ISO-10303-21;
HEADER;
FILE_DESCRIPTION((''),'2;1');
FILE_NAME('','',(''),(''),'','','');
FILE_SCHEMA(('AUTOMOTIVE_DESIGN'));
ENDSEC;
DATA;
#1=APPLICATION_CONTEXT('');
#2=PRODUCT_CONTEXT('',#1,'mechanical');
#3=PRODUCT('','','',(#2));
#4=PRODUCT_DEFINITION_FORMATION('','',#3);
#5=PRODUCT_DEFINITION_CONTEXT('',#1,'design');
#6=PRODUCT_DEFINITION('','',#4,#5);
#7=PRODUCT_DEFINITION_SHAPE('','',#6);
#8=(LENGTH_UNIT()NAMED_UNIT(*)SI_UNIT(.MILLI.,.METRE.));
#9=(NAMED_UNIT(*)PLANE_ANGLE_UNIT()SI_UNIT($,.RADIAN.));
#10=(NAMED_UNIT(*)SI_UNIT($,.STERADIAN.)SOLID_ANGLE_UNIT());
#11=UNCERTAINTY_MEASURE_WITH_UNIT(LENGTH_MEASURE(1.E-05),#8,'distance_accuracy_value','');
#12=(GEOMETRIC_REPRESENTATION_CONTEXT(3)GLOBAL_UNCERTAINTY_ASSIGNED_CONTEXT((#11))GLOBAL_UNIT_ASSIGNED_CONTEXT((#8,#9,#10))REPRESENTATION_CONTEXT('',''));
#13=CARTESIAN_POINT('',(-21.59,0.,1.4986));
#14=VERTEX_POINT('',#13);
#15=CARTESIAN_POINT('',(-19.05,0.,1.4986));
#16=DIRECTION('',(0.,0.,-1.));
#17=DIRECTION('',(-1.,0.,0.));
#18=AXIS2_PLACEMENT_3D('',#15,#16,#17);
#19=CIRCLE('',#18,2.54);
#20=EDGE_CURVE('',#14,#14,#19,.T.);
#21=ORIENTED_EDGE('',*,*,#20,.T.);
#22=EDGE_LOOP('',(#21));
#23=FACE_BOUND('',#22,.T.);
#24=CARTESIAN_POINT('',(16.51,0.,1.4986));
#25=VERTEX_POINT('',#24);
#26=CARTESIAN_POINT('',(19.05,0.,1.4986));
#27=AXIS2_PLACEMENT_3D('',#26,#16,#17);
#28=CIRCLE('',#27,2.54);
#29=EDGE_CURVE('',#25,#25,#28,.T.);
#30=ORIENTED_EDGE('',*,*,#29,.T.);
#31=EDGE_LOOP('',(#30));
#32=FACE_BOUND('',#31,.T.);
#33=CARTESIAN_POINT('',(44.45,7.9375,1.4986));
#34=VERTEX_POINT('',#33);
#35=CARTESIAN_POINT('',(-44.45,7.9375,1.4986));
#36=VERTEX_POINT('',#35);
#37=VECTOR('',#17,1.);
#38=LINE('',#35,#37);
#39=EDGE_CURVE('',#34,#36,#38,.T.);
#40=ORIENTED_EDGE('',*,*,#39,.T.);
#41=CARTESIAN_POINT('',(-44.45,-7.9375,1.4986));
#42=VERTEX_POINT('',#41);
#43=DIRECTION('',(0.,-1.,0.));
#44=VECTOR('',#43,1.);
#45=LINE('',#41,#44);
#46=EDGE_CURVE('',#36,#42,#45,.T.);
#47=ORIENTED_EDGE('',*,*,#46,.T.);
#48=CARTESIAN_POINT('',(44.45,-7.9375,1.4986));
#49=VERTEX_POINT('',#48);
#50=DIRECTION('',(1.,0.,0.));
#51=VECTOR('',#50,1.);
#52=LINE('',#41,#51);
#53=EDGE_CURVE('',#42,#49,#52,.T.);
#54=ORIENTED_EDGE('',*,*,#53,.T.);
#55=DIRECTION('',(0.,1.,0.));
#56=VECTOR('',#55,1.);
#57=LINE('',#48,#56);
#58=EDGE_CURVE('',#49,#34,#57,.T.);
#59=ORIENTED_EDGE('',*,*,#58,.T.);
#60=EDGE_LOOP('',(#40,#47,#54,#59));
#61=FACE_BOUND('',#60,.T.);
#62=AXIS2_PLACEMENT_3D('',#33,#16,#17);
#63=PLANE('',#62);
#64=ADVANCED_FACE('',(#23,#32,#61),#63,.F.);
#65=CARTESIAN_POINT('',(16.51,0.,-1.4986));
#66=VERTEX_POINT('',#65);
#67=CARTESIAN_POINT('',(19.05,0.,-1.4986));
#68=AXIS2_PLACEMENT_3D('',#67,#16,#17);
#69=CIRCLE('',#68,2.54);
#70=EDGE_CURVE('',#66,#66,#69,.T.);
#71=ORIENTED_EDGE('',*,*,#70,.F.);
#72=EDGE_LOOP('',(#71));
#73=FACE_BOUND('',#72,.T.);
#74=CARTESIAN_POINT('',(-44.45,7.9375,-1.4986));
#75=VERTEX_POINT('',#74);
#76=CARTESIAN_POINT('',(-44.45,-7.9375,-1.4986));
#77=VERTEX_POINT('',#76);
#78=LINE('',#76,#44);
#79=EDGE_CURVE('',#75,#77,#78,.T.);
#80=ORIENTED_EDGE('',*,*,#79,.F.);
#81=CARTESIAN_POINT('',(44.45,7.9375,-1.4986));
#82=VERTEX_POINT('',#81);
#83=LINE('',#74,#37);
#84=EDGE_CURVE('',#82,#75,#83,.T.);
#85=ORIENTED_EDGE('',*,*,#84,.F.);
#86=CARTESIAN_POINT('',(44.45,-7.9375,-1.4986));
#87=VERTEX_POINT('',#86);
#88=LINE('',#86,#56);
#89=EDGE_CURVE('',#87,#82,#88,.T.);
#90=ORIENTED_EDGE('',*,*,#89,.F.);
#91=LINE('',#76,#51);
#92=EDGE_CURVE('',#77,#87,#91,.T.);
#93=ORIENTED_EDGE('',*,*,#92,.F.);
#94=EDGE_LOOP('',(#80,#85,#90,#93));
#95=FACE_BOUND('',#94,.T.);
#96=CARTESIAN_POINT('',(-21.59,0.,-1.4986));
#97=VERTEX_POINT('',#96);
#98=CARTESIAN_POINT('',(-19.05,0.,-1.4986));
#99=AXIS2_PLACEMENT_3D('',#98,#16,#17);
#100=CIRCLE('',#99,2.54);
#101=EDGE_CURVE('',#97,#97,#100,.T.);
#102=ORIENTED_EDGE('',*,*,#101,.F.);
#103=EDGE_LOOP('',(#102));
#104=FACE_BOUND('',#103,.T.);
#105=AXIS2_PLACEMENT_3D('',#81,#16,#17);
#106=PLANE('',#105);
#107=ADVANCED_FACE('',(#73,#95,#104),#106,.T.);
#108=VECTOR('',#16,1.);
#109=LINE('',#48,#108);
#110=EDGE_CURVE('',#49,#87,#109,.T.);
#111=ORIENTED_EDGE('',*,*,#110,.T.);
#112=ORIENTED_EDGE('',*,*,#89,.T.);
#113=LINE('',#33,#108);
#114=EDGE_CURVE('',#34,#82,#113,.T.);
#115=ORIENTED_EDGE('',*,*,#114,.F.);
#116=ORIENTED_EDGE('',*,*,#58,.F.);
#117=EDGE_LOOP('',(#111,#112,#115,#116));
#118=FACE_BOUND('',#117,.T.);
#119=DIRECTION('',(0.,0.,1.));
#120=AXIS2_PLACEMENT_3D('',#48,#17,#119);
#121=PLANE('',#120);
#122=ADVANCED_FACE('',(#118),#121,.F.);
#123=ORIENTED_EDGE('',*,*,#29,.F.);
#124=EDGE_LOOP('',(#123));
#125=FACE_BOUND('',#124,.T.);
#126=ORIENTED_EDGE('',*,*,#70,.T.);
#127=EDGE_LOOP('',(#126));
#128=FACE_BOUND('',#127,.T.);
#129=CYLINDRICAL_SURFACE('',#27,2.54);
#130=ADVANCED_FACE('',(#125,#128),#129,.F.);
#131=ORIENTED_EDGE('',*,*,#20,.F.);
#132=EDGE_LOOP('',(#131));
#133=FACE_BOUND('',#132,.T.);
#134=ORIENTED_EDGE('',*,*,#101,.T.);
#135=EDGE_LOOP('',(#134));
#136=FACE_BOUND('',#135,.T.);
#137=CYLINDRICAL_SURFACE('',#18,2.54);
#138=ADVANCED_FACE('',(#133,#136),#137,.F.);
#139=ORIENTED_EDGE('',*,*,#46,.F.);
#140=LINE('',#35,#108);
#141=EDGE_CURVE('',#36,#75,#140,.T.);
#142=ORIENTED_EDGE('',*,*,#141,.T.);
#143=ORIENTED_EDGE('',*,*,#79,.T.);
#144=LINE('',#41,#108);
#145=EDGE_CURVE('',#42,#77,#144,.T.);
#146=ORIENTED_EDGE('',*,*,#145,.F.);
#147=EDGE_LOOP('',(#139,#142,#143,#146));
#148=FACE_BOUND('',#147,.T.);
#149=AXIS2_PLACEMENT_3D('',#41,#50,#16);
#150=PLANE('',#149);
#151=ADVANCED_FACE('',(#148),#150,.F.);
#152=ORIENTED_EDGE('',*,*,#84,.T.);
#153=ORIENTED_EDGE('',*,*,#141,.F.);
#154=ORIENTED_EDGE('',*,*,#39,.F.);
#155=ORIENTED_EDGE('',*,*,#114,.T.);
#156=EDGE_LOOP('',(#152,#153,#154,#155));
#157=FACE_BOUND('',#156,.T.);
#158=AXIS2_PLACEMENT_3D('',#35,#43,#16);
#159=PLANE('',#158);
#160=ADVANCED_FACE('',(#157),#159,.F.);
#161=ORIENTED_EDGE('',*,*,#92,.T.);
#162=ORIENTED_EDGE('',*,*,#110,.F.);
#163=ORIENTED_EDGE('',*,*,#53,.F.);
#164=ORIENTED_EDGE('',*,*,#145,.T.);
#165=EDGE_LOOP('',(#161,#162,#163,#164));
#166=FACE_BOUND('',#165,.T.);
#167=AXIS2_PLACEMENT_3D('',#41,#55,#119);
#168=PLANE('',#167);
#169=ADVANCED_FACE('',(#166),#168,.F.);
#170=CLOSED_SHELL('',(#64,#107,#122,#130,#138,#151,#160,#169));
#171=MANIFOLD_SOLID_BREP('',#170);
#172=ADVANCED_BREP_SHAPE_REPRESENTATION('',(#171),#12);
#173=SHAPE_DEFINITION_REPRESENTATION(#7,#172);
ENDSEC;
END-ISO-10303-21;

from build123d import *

# Parameters (mm, degrees)
SKETCH1_W           = 88.9
SKETCH1_H           = 15.875
BOSS_EXTRUDE1_DEPTH = 1.4986
SKETCH2_R           = 2.54
CUT_EXTRUDE1_DEPTH  = 3.9972


with BuildPart() as part:
    # Sketch1 → Boss-Extrude1 (new body, symmetric)
    with BuildSketch(Plane.XY):
        Rectangle(SKETCH1_W, SKETCH1_H)
    extrude(amount=BOSS_EXTRUDE1_DEPTH, both=True)

    # Sketch2 → Cut-Extrude1 (cut, through all)
    with BuildSketch(Plane(origin=(0, 0, -1.4986), x_dir=(-1, 0, 0), z_dir=(0, 0, -1))):
        with Locations((-19.05, 0)):
            Circle(SKETCH2_R)
        with Locations((19.05, 0)):
            Circle(SKETCH2_R)
    extrude(amount=-CUT_EXTRUDE1_DEPTH, mode=Mode.SUBTRACT)


solid = part.part
